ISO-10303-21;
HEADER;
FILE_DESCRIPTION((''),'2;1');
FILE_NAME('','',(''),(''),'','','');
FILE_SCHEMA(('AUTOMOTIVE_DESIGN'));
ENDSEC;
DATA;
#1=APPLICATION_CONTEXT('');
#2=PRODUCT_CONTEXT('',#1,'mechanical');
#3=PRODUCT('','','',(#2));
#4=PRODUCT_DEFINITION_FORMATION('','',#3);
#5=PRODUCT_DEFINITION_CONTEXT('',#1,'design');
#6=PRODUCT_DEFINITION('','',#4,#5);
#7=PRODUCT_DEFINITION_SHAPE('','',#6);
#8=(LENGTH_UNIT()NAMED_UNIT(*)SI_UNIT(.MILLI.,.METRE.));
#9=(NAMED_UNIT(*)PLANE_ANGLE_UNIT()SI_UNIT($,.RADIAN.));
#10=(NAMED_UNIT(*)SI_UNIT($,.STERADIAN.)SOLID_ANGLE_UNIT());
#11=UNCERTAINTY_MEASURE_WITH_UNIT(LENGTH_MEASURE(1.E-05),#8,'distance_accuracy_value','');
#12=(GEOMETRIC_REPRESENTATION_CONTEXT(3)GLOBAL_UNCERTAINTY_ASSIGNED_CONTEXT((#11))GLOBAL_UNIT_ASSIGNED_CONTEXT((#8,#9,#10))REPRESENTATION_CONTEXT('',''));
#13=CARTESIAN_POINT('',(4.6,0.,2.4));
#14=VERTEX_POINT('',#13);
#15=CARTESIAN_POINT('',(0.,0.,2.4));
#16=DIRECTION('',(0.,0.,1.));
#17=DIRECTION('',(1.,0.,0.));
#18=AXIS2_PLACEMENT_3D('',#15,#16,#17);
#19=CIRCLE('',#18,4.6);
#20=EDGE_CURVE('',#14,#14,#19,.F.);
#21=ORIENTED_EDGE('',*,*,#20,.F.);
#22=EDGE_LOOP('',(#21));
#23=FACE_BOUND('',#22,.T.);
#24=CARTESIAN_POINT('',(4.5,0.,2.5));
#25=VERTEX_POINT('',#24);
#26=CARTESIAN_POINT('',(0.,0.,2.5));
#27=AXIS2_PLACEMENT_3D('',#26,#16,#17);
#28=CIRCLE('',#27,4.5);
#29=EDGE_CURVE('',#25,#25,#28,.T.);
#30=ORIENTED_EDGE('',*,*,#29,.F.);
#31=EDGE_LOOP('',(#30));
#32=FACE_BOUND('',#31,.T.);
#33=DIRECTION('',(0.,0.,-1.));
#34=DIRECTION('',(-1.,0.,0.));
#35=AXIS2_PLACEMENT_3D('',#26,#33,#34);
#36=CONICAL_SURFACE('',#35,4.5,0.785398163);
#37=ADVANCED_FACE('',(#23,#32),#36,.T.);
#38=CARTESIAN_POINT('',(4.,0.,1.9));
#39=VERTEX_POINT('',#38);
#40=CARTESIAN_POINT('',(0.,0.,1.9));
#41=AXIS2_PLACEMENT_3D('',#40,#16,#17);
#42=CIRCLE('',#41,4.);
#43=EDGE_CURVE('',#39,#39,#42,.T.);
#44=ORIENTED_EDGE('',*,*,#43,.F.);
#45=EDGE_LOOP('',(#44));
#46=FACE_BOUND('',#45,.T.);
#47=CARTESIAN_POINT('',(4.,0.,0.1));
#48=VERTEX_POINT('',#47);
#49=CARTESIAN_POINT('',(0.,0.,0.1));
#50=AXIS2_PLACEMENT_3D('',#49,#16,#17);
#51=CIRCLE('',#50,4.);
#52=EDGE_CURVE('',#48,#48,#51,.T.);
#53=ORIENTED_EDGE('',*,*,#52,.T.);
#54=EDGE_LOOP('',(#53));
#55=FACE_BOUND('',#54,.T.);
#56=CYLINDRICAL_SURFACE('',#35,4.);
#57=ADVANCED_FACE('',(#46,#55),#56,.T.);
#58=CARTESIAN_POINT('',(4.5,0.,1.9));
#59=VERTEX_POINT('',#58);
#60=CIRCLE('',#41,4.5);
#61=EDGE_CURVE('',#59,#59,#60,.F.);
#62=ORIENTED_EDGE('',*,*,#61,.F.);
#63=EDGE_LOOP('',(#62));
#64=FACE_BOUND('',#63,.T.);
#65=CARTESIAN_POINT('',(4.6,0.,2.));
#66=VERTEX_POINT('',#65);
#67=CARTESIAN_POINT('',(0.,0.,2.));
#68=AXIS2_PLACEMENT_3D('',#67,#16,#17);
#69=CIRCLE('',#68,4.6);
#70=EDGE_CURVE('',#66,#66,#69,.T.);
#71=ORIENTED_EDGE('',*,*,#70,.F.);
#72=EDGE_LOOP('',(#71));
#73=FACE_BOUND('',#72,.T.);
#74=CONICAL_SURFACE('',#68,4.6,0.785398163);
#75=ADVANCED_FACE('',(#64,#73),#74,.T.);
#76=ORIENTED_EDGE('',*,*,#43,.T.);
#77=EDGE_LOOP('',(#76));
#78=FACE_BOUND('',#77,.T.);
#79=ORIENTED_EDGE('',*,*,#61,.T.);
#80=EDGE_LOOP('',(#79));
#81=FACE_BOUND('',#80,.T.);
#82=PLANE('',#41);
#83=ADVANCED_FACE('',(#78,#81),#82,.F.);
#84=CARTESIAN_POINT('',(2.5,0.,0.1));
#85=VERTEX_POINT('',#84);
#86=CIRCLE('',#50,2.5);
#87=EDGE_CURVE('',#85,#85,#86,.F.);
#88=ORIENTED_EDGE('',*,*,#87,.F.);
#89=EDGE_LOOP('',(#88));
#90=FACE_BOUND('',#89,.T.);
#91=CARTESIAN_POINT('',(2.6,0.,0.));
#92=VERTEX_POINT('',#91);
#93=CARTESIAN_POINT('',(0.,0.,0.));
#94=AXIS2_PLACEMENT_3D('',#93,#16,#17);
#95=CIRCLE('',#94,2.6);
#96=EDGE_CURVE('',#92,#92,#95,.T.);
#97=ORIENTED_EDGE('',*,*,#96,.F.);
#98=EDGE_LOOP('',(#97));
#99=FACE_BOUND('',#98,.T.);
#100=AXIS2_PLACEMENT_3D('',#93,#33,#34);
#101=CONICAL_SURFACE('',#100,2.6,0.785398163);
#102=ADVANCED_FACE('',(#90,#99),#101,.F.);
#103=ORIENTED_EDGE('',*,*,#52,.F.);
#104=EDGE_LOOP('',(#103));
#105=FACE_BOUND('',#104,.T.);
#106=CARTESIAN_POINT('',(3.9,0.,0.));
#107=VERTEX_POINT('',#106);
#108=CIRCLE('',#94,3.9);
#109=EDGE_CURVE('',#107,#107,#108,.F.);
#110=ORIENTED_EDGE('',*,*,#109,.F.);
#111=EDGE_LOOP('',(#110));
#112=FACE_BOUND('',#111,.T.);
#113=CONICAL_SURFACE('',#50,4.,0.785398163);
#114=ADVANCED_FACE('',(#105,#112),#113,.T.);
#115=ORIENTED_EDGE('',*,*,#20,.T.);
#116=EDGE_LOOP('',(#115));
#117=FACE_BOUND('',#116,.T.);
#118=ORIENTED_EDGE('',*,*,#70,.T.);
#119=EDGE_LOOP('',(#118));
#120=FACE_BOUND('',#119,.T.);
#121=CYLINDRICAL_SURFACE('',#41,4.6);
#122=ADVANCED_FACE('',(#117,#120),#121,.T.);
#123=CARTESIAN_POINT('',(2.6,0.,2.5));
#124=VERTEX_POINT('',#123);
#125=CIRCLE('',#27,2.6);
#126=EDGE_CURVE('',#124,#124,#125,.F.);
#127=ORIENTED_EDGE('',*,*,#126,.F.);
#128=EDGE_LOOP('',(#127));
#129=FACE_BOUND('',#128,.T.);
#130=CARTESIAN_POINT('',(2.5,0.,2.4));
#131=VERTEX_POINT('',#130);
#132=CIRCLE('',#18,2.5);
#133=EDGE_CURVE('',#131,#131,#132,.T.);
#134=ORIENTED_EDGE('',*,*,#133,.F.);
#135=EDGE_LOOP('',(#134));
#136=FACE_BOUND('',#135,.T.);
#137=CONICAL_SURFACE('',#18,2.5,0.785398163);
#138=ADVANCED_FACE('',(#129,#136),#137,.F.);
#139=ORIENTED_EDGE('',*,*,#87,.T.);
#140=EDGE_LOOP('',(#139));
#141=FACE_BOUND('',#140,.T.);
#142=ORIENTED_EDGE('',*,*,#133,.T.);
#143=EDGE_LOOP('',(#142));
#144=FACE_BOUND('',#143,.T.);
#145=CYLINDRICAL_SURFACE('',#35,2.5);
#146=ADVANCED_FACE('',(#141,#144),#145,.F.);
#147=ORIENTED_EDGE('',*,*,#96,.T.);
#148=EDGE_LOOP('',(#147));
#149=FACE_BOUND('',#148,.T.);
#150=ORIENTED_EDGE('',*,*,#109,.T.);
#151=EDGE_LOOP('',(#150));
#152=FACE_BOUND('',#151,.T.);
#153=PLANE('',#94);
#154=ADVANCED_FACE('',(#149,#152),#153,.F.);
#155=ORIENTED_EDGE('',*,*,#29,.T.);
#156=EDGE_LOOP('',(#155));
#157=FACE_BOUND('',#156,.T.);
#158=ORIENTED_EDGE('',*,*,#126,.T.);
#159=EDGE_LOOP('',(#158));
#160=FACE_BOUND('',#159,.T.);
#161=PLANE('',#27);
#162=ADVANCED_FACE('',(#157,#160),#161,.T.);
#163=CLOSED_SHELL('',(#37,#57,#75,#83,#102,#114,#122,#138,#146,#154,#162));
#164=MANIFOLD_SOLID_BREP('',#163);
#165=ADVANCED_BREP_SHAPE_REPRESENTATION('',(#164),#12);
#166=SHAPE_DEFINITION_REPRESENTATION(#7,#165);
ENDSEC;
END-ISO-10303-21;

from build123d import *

# Parameters (mm, degrees)
BEARINGSKE_R   = 4
BEARINGSKE_R_2 = 2.5
BEARING_DEPTH  = 2.5
FLANGE_START   = -0.6
FLANGESKE_R    = 4.6
FLANGESKE_R_2  = 4
FLANGE_DEPTH   = 0.6
CHAMFER_2_SIZE = 0.1


with BuildPart() as part:
    # BearingSke → Bearing (new body)
    with BuildSketch(Plane.XY):
        Circle(BEARINGSKE_R)
        Circle(BEARINGSKE_R_2, mode=Mode.SUBTRACT)
    extrude(amount=BEARING_DEPTH)

    # FlangeSke → Flange (add)
    with BuildSketch(Plane.XY.offset(2.5).offset(FLANGE_START)):
        Circle(FLANGESKE_R)
        Circle(FLANGESKE_R_2, mode=Mode.SUBTRACT)
    extrude(amount=FLANGE_DEPTH)

    # Chamfer 2
    chamfer_2_edges = [part.edges().sort_by_distance(p)[0] for p in [
        (-4.6, 0, 1.9),
        (-4.6, 0, 2.5),
        (-4, 0, 0),
        (-2.5, 0, 0),
        (-2.5, 0, 2.5),
    ]]
    chamfer(chamfer_2_edges, length=CHAMFER_2_SIZE)


solid = part.part
